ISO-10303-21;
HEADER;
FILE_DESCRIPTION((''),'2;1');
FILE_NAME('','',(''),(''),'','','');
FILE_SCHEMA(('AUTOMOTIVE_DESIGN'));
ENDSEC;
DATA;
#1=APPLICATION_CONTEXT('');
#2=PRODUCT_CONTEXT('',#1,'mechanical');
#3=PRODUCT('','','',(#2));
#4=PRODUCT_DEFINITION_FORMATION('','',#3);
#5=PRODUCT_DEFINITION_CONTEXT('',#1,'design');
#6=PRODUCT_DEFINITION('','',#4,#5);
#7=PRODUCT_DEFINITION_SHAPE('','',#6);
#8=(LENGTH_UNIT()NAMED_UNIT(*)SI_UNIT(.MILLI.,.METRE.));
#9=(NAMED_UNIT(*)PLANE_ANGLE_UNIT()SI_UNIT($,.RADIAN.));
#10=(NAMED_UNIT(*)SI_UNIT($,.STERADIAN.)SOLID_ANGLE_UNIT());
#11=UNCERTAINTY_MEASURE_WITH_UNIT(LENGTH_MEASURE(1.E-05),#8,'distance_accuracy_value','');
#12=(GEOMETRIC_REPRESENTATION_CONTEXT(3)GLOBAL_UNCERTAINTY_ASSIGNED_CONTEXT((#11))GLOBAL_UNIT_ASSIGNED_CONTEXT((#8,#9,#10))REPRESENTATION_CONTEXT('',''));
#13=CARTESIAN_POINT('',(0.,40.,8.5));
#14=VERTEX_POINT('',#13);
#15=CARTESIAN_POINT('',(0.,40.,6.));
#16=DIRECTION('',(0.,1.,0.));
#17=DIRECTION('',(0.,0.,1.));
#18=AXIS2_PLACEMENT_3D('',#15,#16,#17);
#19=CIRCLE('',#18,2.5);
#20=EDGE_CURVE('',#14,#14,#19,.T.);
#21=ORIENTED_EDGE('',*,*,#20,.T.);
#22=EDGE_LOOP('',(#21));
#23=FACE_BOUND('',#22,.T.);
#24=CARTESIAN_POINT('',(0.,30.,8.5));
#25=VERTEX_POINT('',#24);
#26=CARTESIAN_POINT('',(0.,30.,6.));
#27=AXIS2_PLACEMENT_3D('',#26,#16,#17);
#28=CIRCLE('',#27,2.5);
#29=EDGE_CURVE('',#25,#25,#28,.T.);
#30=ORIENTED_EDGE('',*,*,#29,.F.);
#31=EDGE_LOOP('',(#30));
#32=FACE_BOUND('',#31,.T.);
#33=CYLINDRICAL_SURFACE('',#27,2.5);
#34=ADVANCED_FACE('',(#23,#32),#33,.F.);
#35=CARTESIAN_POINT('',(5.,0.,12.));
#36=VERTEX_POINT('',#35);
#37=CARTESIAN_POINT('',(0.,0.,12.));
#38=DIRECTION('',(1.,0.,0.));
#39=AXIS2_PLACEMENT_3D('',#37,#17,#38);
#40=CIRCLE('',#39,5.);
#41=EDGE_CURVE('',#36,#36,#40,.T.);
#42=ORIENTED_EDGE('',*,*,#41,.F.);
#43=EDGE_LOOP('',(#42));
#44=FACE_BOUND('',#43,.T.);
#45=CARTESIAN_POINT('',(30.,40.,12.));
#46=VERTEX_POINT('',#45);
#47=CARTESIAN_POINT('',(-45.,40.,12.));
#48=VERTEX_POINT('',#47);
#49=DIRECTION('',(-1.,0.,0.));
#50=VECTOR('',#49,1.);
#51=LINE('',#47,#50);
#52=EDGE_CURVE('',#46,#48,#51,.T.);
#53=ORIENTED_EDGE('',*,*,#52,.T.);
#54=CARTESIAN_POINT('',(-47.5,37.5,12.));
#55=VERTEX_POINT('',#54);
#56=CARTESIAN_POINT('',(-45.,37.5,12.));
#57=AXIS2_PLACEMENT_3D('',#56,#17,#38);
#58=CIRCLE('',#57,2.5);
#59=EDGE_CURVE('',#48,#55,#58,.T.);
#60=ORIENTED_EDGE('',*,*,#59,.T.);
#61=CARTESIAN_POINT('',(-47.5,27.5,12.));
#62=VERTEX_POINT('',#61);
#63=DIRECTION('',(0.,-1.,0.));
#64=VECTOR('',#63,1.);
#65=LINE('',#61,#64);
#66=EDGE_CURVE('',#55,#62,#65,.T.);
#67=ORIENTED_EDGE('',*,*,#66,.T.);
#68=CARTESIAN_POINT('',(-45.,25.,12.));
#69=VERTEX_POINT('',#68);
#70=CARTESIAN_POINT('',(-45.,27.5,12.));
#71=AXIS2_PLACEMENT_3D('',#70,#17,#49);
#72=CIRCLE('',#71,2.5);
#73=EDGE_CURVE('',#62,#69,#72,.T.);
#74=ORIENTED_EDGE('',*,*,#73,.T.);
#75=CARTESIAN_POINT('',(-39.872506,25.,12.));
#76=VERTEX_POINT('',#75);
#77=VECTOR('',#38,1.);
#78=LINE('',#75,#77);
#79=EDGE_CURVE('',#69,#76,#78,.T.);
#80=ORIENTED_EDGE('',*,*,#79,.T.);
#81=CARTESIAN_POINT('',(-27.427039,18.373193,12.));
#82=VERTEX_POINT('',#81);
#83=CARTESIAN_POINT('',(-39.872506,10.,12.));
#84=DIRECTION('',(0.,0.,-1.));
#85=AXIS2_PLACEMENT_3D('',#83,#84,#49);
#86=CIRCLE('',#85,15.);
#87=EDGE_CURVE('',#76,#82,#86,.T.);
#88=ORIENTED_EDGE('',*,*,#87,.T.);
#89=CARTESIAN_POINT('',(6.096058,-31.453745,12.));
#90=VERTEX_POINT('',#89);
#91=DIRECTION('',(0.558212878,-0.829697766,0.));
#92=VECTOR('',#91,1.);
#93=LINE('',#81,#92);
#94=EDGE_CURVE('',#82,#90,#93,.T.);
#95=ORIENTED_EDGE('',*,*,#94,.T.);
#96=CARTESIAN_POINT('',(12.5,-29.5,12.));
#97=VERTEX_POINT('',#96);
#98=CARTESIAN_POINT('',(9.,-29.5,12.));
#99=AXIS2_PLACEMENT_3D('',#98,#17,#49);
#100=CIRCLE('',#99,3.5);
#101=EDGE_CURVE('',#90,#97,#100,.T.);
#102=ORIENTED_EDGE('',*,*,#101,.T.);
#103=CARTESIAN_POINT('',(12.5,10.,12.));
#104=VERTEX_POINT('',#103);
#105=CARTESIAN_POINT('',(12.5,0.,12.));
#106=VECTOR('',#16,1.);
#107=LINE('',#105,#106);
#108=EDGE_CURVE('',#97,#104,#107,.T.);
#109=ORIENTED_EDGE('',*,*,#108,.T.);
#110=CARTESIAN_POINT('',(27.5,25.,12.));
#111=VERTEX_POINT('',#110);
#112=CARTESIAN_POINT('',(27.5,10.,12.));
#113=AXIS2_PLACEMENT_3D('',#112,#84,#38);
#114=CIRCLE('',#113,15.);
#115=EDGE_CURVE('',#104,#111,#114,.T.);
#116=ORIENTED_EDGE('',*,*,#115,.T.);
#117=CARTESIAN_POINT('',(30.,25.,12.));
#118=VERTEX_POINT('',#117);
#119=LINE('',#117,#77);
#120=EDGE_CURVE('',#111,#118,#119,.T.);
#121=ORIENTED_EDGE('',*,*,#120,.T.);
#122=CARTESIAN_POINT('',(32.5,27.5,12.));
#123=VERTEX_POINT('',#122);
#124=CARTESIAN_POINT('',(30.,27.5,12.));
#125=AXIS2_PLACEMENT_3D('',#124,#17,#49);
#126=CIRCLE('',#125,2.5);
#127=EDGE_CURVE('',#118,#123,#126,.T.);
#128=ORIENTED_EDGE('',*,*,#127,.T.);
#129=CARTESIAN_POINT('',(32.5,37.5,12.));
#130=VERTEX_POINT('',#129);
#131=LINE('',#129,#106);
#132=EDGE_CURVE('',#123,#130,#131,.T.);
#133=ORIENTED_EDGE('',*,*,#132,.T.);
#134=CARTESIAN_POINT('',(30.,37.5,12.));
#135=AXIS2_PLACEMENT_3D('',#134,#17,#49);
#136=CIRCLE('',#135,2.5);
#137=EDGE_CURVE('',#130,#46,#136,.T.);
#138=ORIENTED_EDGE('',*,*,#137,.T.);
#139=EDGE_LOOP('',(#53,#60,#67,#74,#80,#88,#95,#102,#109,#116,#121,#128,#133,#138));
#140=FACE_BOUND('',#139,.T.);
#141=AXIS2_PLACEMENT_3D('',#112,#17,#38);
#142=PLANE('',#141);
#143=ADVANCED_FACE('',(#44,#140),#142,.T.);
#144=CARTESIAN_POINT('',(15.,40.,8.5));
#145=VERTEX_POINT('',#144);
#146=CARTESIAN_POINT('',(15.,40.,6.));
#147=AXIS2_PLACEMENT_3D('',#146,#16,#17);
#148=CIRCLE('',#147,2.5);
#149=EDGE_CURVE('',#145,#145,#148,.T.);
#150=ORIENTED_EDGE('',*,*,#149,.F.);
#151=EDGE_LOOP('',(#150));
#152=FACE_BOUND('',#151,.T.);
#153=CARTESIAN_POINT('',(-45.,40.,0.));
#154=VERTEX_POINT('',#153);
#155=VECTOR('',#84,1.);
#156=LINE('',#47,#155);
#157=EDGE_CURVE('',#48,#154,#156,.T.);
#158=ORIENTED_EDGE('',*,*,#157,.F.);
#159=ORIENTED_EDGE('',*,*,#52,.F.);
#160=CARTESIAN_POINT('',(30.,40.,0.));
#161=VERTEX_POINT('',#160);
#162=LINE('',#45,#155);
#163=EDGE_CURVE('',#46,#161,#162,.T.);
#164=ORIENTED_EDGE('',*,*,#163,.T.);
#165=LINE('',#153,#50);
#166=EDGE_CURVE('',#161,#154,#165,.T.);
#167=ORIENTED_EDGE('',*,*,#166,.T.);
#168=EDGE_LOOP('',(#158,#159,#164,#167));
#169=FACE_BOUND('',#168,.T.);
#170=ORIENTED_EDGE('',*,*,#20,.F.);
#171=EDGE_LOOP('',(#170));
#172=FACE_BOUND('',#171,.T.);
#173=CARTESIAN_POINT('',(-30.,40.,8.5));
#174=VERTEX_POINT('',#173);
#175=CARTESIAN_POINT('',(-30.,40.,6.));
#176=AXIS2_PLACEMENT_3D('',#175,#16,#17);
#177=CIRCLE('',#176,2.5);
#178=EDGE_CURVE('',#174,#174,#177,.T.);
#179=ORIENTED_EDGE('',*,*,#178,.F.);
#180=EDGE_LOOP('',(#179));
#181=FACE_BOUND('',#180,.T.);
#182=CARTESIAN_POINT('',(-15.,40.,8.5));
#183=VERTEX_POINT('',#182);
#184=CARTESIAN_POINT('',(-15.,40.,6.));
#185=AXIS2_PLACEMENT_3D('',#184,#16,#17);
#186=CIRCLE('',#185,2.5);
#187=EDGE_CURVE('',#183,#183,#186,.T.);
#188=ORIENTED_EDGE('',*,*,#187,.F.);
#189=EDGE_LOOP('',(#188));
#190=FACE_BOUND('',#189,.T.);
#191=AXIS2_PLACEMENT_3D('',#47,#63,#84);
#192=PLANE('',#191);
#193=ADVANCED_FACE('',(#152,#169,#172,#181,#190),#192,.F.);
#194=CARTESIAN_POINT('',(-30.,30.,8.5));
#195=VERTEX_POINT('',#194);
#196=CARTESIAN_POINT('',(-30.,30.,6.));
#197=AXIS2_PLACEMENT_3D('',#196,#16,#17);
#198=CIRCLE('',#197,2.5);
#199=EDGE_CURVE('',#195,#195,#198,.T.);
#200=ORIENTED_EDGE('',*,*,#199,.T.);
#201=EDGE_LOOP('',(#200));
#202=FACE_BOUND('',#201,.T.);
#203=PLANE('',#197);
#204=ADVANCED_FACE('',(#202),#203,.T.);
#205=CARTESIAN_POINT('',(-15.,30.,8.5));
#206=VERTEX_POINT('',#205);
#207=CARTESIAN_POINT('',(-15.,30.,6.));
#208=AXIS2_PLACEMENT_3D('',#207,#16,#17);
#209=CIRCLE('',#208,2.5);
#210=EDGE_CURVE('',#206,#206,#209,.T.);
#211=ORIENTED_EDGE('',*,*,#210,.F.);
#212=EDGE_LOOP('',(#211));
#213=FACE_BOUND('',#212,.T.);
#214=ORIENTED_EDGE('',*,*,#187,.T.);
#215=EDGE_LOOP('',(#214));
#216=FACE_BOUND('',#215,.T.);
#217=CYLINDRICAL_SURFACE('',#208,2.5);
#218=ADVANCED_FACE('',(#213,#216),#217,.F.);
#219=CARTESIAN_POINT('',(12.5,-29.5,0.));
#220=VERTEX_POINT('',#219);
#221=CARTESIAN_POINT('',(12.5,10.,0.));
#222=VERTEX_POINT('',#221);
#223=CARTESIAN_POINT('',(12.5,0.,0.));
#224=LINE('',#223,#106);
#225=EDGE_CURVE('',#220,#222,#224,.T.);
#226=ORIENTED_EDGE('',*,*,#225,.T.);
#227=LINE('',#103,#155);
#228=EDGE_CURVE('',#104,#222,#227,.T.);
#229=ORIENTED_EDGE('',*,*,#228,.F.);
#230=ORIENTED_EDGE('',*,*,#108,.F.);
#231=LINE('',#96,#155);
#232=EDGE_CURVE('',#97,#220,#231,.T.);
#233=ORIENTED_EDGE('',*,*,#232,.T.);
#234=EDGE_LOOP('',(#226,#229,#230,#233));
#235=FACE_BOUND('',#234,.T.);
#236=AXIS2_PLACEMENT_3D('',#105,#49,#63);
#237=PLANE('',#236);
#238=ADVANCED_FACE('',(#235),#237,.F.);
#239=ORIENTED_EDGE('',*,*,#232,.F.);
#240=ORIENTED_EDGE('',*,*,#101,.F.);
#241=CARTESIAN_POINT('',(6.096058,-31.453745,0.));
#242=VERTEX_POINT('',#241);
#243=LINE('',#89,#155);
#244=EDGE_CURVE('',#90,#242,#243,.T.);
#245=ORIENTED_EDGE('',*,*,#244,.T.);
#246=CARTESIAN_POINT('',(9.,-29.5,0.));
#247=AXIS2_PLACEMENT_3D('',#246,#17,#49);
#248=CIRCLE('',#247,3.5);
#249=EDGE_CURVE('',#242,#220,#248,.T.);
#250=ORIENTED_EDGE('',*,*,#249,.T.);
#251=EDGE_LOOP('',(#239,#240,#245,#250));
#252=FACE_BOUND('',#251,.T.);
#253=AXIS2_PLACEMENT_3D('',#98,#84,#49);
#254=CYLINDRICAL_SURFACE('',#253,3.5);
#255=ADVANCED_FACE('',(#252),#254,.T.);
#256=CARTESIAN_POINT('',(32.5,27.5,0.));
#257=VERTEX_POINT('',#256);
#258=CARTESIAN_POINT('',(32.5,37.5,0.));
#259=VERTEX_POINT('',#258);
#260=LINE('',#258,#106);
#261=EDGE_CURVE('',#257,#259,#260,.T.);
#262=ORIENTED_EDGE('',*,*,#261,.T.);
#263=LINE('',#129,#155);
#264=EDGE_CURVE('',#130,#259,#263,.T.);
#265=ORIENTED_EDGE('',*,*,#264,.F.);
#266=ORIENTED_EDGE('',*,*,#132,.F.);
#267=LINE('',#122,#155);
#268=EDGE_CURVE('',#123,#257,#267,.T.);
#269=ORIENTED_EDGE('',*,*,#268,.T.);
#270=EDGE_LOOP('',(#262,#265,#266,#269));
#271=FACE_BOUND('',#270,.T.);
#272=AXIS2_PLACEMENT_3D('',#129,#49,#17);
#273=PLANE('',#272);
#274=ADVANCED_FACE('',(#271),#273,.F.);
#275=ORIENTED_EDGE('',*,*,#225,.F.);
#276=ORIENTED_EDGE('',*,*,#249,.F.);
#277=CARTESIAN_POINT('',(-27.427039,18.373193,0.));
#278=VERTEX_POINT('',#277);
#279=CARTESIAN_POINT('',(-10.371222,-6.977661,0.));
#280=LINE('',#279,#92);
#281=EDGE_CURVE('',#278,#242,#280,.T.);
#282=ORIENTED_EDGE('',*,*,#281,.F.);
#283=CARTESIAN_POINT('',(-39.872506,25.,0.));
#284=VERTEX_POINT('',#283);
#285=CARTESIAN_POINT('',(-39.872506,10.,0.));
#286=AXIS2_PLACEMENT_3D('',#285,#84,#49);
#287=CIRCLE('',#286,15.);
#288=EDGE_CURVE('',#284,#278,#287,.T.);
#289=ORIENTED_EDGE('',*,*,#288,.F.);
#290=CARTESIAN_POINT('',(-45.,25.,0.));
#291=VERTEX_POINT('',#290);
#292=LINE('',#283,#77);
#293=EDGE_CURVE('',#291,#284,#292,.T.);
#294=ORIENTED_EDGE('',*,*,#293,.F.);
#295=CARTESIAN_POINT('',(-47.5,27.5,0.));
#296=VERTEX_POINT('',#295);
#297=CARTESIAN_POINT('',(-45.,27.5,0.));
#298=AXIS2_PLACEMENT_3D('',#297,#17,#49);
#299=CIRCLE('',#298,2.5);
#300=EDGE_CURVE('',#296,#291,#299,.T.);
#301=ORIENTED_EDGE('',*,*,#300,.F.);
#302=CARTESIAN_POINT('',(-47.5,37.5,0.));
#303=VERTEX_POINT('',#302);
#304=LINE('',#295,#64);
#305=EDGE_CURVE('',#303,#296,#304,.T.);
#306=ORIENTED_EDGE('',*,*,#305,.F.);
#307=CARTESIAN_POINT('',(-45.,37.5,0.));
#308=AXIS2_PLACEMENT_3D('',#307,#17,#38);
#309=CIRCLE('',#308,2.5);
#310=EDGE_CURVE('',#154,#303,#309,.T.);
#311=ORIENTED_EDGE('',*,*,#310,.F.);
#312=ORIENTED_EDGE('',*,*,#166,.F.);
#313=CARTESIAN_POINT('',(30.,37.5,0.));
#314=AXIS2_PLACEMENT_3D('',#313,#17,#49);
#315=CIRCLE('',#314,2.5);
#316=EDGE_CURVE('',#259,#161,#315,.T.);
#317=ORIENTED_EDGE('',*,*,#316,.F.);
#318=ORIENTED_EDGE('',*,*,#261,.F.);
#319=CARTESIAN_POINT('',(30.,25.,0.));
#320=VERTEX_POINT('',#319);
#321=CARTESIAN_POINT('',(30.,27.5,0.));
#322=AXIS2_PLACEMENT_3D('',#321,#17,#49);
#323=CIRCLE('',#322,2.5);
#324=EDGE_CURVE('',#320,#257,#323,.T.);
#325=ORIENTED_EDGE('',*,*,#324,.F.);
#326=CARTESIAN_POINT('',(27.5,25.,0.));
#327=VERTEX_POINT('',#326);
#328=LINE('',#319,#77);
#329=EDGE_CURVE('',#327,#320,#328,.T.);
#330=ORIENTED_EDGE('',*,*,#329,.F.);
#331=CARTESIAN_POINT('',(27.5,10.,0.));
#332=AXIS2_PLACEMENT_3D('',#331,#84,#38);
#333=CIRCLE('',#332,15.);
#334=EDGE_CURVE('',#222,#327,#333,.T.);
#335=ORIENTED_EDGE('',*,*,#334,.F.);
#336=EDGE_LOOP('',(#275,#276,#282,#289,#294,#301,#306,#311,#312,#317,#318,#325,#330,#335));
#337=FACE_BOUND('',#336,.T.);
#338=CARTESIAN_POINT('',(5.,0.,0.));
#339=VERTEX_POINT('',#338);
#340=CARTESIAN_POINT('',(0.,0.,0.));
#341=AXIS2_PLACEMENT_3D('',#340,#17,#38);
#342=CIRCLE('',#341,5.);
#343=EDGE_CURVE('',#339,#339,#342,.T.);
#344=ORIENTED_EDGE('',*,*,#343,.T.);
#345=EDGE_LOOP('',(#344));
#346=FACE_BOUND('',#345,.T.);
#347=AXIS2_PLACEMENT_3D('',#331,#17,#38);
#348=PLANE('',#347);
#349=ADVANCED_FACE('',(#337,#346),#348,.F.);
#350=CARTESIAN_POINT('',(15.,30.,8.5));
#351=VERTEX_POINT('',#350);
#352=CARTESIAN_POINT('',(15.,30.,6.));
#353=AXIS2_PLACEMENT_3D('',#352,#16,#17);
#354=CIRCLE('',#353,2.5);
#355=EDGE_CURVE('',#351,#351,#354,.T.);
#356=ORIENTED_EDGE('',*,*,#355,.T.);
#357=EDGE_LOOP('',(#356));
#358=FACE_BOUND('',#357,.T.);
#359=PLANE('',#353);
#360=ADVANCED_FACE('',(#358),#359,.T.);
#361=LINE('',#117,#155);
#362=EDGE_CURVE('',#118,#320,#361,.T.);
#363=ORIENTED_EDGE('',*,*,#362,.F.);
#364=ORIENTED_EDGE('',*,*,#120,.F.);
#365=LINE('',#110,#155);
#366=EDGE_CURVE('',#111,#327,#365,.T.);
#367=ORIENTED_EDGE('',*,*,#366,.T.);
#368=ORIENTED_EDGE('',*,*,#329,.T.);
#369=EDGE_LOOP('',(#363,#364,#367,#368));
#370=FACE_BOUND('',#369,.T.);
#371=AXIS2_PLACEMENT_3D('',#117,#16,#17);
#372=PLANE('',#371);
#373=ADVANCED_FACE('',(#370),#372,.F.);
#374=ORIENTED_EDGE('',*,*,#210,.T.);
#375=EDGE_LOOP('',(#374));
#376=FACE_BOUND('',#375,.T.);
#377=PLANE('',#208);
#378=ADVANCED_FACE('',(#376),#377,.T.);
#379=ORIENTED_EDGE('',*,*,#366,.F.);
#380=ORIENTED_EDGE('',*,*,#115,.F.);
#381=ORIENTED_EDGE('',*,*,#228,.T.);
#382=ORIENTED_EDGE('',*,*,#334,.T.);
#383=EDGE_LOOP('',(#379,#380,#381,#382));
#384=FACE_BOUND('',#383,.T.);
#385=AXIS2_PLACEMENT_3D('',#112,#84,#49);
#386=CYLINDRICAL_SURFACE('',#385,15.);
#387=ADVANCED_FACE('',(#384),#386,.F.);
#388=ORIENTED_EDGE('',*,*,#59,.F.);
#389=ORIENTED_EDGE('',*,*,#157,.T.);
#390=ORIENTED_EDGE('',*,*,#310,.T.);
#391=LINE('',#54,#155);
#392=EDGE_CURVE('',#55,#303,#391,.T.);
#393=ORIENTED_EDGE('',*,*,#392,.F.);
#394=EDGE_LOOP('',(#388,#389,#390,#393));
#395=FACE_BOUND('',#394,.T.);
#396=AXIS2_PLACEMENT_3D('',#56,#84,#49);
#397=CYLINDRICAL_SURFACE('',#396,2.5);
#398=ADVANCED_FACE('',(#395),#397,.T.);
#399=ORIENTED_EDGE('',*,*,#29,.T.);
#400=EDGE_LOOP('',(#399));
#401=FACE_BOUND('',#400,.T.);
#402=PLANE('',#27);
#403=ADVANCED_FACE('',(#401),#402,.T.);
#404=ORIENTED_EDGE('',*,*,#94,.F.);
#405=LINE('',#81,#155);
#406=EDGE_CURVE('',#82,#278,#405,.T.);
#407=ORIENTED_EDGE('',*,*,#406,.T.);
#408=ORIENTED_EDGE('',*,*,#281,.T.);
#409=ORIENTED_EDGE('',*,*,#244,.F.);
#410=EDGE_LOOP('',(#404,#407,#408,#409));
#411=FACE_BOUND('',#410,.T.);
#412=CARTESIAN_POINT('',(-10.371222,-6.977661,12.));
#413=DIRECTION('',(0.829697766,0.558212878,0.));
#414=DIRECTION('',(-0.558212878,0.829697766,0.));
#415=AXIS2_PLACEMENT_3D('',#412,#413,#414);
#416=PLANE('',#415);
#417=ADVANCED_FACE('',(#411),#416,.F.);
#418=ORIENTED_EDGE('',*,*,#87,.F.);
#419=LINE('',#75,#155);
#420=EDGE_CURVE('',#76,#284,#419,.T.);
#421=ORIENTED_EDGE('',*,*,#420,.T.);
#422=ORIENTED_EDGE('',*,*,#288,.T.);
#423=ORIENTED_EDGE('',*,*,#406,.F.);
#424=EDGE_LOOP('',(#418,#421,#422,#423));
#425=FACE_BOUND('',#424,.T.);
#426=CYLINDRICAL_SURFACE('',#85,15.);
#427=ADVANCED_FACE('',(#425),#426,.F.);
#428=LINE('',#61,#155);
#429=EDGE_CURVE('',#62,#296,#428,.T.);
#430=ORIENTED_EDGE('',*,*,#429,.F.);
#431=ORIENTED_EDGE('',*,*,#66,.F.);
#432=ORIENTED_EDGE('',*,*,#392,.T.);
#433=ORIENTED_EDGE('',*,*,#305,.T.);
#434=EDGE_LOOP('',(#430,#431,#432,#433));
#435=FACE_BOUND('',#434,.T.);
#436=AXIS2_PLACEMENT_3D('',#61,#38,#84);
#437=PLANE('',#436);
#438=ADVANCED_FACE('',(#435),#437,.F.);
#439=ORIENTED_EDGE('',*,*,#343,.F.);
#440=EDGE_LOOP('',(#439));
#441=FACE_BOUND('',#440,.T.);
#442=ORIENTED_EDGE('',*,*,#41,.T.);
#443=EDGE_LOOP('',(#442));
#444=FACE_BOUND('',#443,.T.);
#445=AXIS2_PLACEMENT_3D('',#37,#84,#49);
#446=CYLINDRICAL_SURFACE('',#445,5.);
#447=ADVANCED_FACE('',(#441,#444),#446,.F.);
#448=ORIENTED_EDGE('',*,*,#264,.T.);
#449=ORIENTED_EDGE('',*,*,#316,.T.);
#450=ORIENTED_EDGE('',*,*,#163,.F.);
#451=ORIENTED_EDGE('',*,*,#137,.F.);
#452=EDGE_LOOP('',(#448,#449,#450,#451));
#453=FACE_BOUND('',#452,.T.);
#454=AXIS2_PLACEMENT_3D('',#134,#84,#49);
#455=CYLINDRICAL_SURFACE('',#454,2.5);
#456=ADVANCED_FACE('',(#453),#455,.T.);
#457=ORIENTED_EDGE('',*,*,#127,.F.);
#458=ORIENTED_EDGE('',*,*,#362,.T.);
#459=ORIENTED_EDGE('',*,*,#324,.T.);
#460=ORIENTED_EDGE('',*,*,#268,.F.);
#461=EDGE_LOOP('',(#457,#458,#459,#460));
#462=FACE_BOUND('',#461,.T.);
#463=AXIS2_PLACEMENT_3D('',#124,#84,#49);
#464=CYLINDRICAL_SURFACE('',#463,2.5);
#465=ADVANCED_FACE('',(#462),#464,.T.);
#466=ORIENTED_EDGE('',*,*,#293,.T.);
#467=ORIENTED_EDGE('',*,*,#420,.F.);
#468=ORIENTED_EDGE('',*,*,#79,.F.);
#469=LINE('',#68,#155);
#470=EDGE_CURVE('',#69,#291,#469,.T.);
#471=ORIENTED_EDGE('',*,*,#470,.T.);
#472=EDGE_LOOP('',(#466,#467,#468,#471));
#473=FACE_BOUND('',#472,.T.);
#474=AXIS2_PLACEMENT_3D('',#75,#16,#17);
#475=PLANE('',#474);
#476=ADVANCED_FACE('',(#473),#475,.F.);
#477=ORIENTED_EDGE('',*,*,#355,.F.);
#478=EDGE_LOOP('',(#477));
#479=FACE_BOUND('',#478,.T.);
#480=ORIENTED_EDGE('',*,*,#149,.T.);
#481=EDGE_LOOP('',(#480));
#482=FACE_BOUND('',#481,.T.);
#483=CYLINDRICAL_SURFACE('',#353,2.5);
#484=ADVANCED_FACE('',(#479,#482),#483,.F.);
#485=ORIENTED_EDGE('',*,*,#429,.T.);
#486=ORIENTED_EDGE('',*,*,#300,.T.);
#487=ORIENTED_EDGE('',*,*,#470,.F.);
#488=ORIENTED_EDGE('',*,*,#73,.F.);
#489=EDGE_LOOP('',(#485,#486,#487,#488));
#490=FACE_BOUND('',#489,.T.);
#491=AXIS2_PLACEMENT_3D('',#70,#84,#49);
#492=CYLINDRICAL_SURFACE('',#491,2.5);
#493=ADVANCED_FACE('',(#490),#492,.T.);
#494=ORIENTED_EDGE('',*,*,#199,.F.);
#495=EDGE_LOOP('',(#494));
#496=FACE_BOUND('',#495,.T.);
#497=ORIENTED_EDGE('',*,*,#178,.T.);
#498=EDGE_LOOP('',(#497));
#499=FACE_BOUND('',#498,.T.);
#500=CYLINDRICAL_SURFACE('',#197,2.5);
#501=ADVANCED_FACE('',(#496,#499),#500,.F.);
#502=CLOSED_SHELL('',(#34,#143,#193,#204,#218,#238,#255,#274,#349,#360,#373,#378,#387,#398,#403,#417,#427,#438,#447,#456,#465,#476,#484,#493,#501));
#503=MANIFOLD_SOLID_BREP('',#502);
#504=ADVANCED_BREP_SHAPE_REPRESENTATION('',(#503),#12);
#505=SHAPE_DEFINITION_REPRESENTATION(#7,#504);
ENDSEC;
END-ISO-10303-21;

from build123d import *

# Parameters (mm, degrees)
SKETCH_1_R          = 5
EXTRUDE_1_DEPTH     = 12
SKETCH_2_R          = 2.5
CUT_EXTRUDE_1_DEPTH = 10


with BuildPart() as part:
    # 草图1 → 凸台-拉伸1 (new body)
    with BuildSketch(Plane.XY):
        with BuildLine():
            Line((12.5, 0), (12.5, -29.5))
            ThreePointArc((12.5, -29.5), (10.021323251, -32.847670655), (6.096057819, -31.453745072))
            Line((6.096057819, -31.453745072), (-10.371222076, -6.977660972))
            Line((-10.371222076, -6.977660972), (-27.427039052, 18.373193167))
            ThreePointArc((-27.427039052, 18.373193167), (-32.822608292, 23.240050935), (-39.872505543, 25))
            Line((-39.872505543, 25), (-45, 25))
            ThreePointArc((-45, 25), (-46.767766953, 25.732233047), (-47.5, 27.5))
            Line((-47.5, 27.5), (-47.5, 37.5))
            ThreePointArc((-47.5, 37.5), (-46.767766953, 39.267766953), (-45, 40))
            Line((-45, 40), (30, 40))
            ThreePointArc((30, 40), (31.767766953, 39.267766953), (32.5, 37.5))
            Line((32.5, 37.5), (32.5, 27.5))
            ThreePointArc((32.5, 27.5), (31.767766953, 25.732233047), (30, 25))
            Line((30, 25), (27.5, 25))
            ThreePointArc((27.5, 25), (16.893398282, 20.606601718), (12.5, 10))
            Line((12.5, 10), (12.5, 0))
        make_face()
        Circle(SKETCH_1_R, mode=Mode.SUBTRACT)
    extrude(amount=EXTRUDE_1_DEPTH)

    # 草图2 → 切除-拉伸1 (cut)
    with BuildSketch(Plane(origin=(0, 40, 0), x_dir=(1, 0, 0), z_dir=(0, 1, 0))):
        with Locations(Location((-30, -6, 0), (0, 0, 270))):
            Circle(SKETCH_2_R)
        with Locations(Location((-15, -6, 0), (0, 0, 270))):
            Circle(SKETCH_2_R)
        with Locations(Location((0, -6, 0), (0, 0, 270))):
            Circle(SKETCH_2_R)
        with Locations(Location((15, -6, 0), (0, 0, 270))):
            Circle(SKETCH_2_R)
    extrude(amount=-CUT_EXTRUDE_1_DEPTH, mode=Mode.SUBTRACT)


solid = part.part
